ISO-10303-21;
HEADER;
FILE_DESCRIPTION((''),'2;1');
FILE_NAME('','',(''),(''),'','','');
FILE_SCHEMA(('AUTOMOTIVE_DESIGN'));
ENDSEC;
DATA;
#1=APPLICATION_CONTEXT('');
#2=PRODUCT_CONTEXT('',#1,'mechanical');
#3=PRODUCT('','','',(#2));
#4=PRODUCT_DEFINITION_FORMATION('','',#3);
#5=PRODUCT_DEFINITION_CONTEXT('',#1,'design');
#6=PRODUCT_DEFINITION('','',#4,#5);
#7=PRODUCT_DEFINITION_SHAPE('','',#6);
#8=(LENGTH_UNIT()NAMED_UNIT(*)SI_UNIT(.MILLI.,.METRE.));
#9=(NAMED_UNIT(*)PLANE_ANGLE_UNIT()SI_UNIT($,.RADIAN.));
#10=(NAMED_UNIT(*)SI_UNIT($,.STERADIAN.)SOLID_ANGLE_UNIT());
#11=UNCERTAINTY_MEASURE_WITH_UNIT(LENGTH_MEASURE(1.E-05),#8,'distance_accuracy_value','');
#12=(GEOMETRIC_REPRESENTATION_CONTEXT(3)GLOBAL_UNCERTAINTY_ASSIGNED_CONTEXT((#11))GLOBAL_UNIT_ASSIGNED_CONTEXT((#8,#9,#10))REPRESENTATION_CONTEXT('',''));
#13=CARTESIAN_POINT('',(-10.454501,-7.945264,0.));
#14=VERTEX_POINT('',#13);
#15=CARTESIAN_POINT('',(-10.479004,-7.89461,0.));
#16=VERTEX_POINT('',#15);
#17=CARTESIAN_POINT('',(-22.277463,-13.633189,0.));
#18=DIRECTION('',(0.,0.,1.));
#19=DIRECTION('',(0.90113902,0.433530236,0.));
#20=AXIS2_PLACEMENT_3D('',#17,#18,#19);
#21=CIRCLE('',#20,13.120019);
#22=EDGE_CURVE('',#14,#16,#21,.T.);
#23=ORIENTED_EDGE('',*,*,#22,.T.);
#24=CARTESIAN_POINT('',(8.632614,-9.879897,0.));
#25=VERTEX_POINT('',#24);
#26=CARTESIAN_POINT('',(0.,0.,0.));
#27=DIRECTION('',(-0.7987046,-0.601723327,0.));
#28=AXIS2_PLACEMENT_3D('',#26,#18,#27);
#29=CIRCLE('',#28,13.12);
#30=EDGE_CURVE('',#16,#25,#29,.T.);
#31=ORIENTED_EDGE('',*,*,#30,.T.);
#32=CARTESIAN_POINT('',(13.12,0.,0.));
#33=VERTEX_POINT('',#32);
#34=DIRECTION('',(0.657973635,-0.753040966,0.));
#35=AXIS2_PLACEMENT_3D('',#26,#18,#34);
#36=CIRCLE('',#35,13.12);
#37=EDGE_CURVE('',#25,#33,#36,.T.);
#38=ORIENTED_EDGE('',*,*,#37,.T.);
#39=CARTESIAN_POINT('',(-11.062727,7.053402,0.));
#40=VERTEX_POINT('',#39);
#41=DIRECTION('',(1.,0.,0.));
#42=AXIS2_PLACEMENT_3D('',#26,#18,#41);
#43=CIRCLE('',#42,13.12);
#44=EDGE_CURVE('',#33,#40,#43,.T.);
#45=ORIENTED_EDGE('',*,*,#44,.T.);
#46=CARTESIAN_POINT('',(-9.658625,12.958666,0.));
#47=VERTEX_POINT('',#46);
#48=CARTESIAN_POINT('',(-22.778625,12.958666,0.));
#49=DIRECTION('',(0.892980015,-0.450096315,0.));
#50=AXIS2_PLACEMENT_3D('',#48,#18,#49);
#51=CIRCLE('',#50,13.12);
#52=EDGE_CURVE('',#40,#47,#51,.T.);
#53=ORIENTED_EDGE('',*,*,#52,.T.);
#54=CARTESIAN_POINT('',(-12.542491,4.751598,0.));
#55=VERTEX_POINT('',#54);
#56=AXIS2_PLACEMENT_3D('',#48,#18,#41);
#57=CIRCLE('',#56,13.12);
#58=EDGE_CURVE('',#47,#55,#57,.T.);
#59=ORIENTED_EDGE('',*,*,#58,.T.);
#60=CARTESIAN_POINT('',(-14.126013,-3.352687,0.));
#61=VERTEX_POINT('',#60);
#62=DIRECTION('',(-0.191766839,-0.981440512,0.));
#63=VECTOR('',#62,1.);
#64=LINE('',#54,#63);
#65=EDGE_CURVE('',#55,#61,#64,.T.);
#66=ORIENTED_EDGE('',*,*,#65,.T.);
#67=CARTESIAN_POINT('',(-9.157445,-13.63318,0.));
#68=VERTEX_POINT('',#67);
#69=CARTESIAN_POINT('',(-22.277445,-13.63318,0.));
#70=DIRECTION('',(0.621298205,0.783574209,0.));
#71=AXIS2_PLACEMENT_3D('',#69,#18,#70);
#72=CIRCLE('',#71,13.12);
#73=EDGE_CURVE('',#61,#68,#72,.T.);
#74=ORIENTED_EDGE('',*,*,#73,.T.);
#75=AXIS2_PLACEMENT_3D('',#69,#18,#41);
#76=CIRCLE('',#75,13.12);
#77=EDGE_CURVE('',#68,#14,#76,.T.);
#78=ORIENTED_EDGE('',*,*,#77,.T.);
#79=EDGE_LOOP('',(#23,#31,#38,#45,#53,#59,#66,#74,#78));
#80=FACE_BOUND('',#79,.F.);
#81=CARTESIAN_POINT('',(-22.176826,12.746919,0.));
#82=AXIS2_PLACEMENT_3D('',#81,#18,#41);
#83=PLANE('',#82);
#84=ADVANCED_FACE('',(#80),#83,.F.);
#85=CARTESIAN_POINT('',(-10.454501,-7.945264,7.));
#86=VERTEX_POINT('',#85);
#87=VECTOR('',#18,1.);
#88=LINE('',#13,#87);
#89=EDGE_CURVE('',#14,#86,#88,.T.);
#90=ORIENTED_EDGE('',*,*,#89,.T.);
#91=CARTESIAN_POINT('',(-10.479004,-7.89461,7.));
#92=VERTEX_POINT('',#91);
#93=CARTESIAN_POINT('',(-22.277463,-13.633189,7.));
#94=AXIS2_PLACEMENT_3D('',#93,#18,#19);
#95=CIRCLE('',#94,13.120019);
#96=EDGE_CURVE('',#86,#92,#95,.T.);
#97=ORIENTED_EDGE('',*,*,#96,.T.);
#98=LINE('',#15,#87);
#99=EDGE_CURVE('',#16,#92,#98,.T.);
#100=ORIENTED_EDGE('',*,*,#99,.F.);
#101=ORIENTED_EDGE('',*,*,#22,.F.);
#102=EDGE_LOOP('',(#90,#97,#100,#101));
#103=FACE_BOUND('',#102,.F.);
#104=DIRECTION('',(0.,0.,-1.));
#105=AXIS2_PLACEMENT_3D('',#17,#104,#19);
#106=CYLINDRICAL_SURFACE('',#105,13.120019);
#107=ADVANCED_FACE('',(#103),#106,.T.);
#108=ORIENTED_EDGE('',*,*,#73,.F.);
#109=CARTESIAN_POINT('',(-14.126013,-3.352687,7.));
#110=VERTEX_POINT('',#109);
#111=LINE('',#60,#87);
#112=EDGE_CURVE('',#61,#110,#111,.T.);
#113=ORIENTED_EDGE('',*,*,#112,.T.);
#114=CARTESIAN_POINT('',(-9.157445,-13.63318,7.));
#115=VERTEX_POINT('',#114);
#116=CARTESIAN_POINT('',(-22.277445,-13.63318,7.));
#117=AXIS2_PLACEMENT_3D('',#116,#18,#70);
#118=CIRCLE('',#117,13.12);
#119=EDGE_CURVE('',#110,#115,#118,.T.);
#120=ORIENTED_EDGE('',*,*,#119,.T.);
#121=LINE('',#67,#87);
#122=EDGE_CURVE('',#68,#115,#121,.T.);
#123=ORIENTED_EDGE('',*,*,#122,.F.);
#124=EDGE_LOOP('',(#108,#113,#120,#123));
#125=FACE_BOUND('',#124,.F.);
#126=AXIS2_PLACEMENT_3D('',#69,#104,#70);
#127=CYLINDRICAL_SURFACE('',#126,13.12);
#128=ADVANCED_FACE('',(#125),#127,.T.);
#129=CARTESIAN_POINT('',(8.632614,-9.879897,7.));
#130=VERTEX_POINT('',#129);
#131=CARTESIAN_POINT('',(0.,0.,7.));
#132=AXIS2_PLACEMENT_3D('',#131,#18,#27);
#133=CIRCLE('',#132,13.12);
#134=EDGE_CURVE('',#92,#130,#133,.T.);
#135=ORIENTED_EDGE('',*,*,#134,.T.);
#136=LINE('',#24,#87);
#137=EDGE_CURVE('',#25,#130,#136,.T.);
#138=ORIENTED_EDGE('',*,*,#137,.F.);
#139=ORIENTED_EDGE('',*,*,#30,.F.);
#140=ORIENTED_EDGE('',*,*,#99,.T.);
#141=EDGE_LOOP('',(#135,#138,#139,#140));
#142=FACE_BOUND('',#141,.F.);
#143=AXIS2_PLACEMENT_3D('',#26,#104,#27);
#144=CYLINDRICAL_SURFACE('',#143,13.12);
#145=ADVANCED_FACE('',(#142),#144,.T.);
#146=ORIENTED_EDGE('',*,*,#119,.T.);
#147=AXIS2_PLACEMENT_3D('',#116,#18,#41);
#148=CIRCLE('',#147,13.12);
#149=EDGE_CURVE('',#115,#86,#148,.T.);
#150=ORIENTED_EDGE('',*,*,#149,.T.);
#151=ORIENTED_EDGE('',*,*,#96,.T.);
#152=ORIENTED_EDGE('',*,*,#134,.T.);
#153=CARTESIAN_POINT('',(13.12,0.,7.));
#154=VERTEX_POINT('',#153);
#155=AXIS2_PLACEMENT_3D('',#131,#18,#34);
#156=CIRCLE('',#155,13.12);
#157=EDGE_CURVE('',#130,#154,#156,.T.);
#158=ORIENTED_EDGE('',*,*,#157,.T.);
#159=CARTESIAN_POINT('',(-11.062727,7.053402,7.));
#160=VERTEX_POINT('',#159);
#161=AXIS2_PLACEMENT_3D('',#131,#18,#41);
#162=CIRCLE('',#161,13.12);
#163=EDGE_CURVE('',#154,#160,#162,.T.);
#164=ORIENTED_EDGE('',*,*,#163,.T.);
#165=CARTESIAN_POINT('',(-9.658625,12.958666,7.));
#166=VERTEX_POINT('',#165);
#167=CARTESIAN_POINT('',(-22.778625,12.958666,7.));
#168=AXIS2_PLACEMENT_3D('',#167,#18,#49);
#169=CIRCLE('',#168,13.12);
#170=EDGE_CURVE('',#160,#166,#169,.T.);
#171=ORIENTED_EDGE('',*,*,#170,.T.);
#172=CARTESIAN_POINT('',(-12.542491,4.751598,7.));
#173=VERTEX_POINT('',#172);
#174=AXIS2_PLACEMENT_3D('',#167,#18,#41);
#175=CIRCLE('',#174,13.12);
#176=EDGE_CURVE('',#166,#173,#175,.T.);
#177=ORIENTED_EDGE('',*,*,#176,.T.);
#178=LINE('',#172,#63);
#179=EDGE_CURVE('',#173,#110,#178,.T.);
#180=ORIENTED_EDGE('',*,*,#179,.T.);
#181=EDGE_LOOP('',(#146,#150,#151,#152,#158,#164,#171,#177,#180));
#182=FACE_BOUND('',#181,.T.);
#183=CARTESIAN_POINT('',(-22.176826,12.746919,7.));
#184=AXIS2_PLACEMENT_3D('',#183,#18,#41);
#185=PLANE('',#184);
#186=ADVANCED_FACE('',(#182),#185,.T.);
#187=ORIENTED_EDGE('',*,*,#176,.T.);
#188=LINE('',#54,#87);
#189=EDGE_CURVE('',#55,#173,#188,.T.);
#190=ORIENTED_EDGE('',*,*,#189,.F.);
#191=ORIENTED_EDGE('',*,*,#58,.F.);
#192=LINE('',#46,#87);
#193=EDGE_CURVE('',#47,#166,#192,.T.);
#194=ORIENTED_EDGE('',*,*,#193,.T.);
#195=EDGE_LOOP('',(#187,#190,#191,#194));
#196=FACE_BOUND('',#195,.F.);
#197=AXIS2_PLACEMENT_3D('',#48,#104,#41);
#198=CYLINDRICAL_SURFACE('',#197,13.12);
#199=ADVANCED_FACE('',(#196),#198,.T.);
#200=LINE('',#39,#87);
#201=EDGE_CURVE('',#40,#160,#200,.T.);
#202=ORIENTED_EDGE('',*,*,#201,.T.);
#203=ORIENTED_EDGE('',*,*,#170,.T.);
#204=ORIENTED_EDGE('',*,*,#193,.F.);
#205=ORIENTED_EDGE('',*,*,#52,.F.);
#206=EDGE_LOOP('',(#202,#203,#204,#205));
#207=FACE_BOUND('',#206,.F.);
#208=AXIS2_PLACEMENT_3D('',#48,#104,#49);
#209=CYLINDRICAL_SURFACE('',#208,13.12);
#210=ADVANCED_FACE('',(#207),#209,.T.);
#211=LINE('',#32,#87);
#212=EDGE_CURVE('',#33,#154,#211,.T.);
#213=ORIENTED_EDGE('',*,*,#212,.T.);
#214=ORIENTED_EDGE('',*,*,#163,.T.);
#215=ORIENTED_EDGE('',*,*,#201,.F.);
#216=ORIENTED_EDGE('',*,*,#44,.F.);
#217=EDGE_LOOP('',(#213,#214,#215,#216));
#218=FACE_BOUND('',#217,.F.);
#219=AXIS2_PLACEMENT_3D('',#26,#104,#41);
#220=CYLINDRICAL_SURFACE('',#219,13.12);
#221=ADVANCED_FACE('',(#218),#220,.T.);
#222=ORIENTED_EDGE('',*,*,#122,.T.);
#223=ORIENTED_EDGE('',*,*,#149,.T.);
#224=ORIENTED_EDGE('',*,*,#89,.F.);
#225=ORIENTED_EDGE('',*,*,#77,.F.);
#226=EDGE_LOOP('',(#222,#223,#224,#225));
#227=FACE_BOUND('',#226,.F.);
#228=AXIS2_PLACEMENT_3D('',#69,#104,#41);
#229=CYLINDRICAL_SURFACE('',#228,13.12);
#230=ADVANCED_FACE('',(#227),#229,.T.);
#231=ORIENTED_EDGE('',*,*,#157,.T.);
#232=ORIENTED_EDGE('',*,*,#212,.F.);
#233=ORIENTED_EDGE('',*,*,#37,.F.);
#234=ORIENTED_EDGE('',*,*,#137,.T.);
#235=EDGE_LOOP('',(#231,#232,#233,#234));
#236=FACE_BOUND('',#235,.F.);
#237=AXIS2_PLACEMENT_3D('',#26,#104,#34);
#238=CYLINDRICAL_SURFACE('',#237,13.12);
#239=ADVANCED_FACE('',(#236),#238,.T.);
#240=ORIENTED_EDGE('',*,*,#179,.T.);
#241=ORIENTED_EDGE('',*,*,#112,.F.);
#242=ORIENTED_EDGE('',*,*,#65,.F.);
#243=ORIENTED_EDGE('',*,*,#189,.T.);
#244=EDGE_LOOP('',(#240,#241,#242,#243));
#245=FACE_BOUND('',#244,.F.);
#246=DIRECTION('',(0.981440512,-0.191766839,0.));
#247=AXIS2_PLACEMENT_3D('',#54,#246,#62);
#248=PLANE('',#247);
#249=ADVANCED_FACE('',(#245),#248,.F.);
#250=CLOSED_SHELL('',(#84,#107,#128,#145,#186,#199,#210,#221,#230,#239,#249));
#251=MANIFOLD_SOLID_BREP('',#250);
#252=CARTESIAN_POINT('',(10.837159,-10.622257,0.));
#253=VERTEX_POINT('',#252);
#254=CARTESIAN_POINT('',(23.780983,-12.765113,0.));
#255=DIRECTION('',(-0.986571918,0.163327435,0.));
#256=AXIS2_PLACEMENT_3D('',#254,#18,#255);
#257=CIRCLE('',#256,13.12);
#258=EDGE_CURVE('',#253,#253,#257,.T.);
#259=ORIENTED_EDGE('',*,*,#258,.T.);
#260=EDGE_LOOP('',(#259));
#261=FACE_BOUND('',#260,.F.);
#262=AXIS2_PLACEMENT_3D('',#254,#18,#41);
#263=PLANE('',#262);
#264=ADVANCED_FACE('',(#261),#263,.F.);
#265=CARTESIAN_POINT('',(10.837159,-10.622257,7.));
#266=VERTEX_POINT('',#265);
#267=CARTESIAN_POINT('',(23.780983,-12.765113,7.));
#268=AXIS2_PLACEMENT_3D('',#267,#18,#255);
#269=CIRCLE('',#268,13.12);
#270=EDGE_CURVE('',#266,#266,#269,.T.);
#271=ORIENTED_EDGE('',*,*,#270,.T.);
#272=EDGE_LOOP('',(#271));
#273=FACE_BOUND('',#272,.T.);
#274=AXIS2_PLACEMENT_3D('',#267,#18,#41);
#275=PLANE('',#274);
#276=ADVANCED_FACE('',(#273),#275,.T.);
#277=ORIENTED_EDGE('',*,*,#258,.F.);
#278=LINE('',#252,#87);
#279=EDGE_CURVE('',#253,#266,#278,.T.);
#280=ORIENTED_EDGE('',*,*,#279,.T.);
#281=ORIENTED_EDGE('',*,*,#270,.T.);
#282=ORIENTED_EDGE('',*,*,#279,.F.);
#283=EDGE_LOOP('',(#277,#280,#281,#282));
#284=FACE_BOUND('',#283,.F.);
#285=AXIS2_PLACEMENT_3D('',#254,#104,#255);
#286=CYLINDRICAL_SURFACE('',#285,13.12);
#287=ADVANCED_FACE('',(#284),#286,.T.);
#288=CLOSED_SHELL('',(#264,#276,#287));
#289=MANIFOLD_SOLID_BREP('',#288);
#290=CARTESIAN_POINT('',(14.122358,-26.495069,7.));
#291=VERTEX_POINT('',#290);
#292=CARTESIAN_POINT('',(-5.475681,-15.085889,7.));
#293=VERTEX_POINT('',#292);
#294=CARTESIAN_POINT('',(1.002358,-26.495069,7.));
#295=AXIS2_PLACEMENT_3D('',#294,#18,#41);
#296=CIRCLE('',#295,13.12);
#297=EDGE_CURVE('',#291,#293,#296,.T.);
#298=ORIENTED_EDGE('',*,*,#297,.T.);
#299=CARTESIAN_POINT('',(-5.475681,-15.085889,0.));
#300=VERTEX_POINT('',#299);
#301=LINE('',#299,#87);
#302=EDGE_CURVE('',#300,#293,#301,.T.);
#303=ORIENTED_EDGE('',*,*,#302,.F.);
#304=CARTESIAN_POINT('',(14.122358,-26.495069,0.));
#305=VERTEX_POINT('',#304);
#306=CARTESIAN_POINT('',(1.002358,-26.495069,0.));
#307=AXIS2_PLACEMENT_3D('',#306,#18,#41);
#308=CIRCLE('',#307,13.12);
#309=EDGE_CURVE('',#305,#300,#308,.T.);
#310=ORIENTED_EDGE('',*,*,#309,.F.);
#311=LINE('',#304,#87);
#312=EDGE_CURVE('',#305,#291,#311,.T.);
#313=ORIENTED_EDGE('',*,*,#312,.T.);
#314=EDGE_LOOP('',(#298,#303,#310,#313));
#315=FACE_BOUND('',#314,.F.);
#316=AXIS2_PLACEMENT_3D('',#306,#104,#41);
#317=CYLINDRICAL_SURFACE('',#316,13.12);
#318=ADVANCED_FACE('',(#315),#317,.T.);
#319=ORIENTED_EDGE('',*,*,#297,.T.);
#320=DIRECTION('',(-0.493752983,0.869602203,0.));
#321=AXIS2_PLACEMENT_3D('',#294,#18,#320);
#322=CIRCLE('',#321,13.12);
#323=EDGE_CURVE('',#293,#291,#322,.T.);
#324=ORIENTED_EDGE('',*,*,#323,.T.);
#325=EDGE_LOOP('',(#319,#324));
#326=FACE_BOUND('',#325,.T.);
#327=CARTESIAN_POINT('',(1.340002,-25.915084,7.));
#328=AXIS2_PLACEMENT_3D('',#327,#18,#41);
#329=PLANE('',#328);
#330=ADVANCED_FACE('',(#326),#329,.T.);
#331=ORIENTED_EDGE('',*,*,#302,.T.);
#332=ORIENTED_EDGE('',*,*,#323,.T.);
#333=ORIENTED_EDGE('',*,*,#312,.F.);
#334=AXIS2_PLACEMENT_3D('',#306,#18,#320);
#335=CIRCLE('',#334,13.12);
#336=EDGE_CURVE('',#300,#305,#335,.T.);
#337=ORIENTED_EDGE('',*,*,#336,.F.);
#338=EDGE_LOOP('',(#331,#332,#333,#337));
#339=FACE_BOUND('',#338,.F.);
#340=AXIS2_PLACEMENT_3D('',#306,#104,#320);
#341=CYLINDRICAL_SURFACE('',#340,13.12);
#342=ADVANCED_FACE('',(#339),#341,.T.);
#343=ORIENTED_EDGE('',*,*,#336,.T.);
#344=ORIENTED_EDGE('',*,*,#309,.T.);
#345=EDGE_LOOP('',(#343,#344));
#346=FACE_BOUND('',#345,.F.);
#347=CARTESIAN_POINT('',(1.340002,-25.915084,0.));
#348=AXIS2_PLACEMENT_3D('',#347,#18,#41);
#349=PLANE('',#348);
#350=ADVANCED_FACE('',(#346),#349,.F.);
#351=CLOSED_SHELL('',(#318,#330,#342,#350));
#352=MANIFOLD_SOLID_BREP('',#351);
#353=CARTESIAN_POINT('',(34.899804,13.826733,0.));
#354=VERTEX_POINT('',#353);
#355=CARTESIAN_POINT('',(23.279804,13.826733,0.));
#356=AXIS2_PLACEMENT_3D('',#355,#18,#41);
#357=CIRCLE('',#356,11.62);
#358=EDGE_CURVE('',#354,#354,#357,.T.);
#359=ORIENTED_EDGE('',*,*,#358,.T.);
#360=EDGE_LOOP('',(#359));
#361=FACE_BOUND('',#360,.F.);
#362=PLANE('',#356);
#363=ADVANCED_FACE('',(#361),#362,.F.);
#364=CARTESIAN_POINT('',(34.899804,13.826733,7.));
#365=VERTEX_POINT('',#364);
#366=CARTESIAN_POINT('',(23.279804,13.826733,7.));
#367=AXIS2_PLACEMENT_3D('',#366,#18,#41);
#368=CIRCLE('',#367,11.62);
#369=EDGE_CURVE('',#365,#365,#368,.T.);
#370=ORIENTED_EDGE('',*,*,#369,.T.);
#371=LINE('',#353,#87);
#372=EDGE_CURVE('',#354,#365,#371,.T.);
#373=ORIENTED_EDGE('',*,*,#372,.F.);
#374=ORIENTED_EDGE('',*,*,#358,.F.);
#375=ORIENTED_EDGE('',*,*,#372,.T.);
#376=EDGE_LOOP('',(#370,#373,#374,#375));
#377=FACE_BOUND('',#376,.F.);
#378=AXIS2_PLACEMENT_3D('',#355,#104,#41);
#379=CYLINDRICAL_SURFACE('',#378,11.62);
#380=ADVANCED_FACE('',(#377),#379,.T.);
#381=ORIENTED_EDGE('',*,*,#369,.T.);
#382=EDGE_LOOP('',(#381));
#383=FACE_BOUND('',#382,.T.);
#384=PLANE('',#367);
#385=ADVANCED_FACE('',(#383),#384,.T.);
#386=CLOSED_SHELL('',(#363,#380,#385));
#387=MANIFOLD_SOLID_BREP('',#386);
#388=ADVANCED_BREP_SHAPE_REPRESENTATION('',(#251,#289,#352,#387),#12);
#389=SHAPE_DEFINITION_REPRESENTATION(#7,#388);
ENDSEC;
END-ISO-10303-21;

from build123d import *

# Parameters (mm, degrees)
F0_R     = 11.62
F1_DEPTH = 7


with BuildPart() as f1:
    # F0 (on Top) → F1 (new body)
    with BuildSketch(Plane.XY):
        with BuildLine():
            ThreePointArc((-11.7158977966, 5.9052636537), (-11.4037708203, 6.4875581754), (-11.0627267086, 7.053401858))
            ThreePointArc((-11.0627267086, 7.053401858), (-10.0144759027, 9.9237173319), (-9.6586245052, 12.9586655117))
            ThreePointArc((-9.6586245052, 12.9586655117), (-35.156679229, 17.3081667768), (-12.5424905502, 4.7515977251))
            ThreePointArc((-12.5424905502, 4.7515977251), (-12.1135833585, 5.3172456607), (-11.7158977966, 5.9052636537))
        make_face()
        with Locations((-22.7786245052, 12.9586655117)):
            Circle(F0_R, mode=Mode.SUBTRACT)
        with BuildLine():
            ThreePointArc((-10.4545014127, -7.9452637049), (-10.4667257272, -7.9199237396), (-10.4790043524, -7.8946100462))
            ThreePointArc((-10.4790043524, -7.8946100462), (-11.1907671743, -6.848439972), (-11.7984410246, -5.7385703263))
            ThreePointArc((-11.7984410246, -5.7385703263), (-12.8861513263, -4.4714121996), (-14.1260129293, -3.3526867535))
            ThreePointArc((-14.1260129293, -3.3526867535), (-34.090175665, -19.3422786502), (-9.157445377, -13.6331803725))
            ThreePointArc((-9.157445377, -13.6331803725), (-9.4858187249, -10.7162148955), (-10.4545014127, -7.9452637049))
        make_face()
        with Locations((-22.277445377, -13.6331803725)):
            Circle(F0_R, mode=Mode.SUBTRACT)
        with BuildLine():
            ThreePointArc((-10.4790043524, -7.8946100462), (-1.3555924139, -13.0497804276), (8.6326140868, -9.8798974706))
            ThreePointArc((8.6326140868, -9.8798974706), (11.9455911704, -5.4256107113), (13.12, 0))
            ThreePointArc((13.12, 0), (3.6736511527, 12.5951850804), (-11.0627267086, 7.053401858))
            ThreePointArc((-11.0627267086, 7.053401858), (-11.3748536849, 6.4711073364), (-11.7158977966, 5.9052636537))
            ThreePointArc((-11.7158977966, 5.9052636537), (-13.119670346, 0.0930054432), (-11.7984410246, -5.7385703263))
            ThreePointArc((-11.7984410246, -5.7385703263), (-11.0866782027, -6.7847404005), (-10.4790043524, -7.8946100462))
        make_face()
        with BuildLine():
            ThreePointArc((6.9492298562, -9.3130341139), (-10.3868775609, 5.2093353257), (11.62, 0))
            ThreePointArc((11.62, 0), (10.3868775609, -5.2093353257), (6.9492298562, -9.3130341139))
        make_face(mode=Mode.SUBTRACT)
        with Locations((-22.277445377, -13.6331803725)):
            Circle(F0_R)
        with BuildLine():
            ThreePointArc((6.9492298562, -9.3130341139), (10.3868775609, -5.2093353257), (11.62, 0))
            ThreePointArc((11.62, 0), (-10.3868775609, 5.2093353257), (6.9492298562, -9.3130341139))
        make_face()
        with Locations((-22.7786245052, 12.9586655117)):
            Circle(F0_R)
        with BuildLine():
            ThreePointArc((-14.1260129293, -3.3526867535), (-12.8861513263, -4.4714121996), (-11.7984410246, -5.7385703263))
            ThreePointArc((-11.7984410246, -5.7385703263), (-13.119670346, 0.0930054432), (-11.7158977966, 5.9052636537))
            ThreePointArc((-11.7158977966, 5.9052636537), (-12.1135833585, 5.3172456607), (-12.5424905502, 4.7515977251))
            Line((-12.5424905502, 4.7515977251), (-14.1260129293, -3.3526867535))
        make_face()
        with BuildLine():
            ThreePointArc((-11.7984410246, -5.7385703263), (-11.1907671743, -6.848439972), (-10.4790043524, -7.8946100462))
            ThreePointArc((-10.4790043524, -7.8946100462), (-11.0866782027, -6.7847404005), (-11.7984410246, -5.7385703263))
        make_face()
        with BuildLine():
            ThreePointArc((-11.7158977966, 5.9052636537), (-11.3748536849, 6.4711073364), (-11.0627267086, 7.053401858))
            ThreePointArc((-11.0627267086, 7.053401858), (-11.4037708203, 6.4875581754), (-11.7158977966, 5.9052636537))
        make_face()
    extrude(amount=F1_DEPTH)


with BuildPart() as f1b:
    # F0 (on Top) → F1, piece 2 (new body)
    with BuildSketch(Plane.XY):
        with BuildLine():
            ThreePointArc((14.1223582564, -26.4950694578), (7.6032114793, -15.1565009092), (-5.4756808793, -15.0858885513))
            ThreePointArc((-5.4756808793, -15.0858885513), (-5.5984949664, -37.8336380064), (14.1223582564, -26.4950694578))
        make_face()
        with Locations((1.0023582564, -26.4950694578)):
            Circle(F0_R, mode=Mode.SUBTRACT)
        with Locations((1.0023582564, -26.4950694578)):
            Circle(F0_R)
    extrude(amount=F1_DEPTH)


with BuildPart() as f1c:
    # F0 (on Top) → F1, piece 3 (new body)
    with BuildSketch(Plane.XY):
        with BuildLine():
            ThreePointArc((36.9009827616, -12.7651126588), (24.8560257538, 0.3107690539), (10.8371591999, -10.6222567134))
            ThreePointArc((10.8371591999, -10.6222567134), (22.7059397695, -25.8409943715), (36.9009827616, -12.7651126588))
        make_face()
        with BuildLine():
            ThreePointArc((35.4009827616, -12.7651126588), (22.9503179079, -24.3553842648), (12.2797442245, -11.1080332667))
            ThreePointArc((12.2797442245, -11.1080332667), (24.6116476153, -1.1748410528), (35.4009827616, -12.7651126588))
        make_face(mode=Mode.SUBTRACT)
        with BuildLine():
            ThreePointArc((35.4009827616, -12.7651126588), (24.6116476153, -1.1748410528), (12.2797442245, -11.1080332667))
            ThreePointArc((12.2797442245, -11.1080332667), (22.9503179079, -24.3553842648), (35.4009827616, -12.7651126588))
        make_face()
    extrude(amount=F1_DEPTH)


with BuildPart() as f1d:
    # F0 (on Top) → F1, piece 4 (new body)
    with BuildSketch(Plane.XY):
        with Locations((23.2798036334, 13.8267332255)):
            Circle(F0_R)
    extrude(amount=F1_DEPTH)


solid = Compound([f1.part, f1b.part, f1c.part, f1d.part])
